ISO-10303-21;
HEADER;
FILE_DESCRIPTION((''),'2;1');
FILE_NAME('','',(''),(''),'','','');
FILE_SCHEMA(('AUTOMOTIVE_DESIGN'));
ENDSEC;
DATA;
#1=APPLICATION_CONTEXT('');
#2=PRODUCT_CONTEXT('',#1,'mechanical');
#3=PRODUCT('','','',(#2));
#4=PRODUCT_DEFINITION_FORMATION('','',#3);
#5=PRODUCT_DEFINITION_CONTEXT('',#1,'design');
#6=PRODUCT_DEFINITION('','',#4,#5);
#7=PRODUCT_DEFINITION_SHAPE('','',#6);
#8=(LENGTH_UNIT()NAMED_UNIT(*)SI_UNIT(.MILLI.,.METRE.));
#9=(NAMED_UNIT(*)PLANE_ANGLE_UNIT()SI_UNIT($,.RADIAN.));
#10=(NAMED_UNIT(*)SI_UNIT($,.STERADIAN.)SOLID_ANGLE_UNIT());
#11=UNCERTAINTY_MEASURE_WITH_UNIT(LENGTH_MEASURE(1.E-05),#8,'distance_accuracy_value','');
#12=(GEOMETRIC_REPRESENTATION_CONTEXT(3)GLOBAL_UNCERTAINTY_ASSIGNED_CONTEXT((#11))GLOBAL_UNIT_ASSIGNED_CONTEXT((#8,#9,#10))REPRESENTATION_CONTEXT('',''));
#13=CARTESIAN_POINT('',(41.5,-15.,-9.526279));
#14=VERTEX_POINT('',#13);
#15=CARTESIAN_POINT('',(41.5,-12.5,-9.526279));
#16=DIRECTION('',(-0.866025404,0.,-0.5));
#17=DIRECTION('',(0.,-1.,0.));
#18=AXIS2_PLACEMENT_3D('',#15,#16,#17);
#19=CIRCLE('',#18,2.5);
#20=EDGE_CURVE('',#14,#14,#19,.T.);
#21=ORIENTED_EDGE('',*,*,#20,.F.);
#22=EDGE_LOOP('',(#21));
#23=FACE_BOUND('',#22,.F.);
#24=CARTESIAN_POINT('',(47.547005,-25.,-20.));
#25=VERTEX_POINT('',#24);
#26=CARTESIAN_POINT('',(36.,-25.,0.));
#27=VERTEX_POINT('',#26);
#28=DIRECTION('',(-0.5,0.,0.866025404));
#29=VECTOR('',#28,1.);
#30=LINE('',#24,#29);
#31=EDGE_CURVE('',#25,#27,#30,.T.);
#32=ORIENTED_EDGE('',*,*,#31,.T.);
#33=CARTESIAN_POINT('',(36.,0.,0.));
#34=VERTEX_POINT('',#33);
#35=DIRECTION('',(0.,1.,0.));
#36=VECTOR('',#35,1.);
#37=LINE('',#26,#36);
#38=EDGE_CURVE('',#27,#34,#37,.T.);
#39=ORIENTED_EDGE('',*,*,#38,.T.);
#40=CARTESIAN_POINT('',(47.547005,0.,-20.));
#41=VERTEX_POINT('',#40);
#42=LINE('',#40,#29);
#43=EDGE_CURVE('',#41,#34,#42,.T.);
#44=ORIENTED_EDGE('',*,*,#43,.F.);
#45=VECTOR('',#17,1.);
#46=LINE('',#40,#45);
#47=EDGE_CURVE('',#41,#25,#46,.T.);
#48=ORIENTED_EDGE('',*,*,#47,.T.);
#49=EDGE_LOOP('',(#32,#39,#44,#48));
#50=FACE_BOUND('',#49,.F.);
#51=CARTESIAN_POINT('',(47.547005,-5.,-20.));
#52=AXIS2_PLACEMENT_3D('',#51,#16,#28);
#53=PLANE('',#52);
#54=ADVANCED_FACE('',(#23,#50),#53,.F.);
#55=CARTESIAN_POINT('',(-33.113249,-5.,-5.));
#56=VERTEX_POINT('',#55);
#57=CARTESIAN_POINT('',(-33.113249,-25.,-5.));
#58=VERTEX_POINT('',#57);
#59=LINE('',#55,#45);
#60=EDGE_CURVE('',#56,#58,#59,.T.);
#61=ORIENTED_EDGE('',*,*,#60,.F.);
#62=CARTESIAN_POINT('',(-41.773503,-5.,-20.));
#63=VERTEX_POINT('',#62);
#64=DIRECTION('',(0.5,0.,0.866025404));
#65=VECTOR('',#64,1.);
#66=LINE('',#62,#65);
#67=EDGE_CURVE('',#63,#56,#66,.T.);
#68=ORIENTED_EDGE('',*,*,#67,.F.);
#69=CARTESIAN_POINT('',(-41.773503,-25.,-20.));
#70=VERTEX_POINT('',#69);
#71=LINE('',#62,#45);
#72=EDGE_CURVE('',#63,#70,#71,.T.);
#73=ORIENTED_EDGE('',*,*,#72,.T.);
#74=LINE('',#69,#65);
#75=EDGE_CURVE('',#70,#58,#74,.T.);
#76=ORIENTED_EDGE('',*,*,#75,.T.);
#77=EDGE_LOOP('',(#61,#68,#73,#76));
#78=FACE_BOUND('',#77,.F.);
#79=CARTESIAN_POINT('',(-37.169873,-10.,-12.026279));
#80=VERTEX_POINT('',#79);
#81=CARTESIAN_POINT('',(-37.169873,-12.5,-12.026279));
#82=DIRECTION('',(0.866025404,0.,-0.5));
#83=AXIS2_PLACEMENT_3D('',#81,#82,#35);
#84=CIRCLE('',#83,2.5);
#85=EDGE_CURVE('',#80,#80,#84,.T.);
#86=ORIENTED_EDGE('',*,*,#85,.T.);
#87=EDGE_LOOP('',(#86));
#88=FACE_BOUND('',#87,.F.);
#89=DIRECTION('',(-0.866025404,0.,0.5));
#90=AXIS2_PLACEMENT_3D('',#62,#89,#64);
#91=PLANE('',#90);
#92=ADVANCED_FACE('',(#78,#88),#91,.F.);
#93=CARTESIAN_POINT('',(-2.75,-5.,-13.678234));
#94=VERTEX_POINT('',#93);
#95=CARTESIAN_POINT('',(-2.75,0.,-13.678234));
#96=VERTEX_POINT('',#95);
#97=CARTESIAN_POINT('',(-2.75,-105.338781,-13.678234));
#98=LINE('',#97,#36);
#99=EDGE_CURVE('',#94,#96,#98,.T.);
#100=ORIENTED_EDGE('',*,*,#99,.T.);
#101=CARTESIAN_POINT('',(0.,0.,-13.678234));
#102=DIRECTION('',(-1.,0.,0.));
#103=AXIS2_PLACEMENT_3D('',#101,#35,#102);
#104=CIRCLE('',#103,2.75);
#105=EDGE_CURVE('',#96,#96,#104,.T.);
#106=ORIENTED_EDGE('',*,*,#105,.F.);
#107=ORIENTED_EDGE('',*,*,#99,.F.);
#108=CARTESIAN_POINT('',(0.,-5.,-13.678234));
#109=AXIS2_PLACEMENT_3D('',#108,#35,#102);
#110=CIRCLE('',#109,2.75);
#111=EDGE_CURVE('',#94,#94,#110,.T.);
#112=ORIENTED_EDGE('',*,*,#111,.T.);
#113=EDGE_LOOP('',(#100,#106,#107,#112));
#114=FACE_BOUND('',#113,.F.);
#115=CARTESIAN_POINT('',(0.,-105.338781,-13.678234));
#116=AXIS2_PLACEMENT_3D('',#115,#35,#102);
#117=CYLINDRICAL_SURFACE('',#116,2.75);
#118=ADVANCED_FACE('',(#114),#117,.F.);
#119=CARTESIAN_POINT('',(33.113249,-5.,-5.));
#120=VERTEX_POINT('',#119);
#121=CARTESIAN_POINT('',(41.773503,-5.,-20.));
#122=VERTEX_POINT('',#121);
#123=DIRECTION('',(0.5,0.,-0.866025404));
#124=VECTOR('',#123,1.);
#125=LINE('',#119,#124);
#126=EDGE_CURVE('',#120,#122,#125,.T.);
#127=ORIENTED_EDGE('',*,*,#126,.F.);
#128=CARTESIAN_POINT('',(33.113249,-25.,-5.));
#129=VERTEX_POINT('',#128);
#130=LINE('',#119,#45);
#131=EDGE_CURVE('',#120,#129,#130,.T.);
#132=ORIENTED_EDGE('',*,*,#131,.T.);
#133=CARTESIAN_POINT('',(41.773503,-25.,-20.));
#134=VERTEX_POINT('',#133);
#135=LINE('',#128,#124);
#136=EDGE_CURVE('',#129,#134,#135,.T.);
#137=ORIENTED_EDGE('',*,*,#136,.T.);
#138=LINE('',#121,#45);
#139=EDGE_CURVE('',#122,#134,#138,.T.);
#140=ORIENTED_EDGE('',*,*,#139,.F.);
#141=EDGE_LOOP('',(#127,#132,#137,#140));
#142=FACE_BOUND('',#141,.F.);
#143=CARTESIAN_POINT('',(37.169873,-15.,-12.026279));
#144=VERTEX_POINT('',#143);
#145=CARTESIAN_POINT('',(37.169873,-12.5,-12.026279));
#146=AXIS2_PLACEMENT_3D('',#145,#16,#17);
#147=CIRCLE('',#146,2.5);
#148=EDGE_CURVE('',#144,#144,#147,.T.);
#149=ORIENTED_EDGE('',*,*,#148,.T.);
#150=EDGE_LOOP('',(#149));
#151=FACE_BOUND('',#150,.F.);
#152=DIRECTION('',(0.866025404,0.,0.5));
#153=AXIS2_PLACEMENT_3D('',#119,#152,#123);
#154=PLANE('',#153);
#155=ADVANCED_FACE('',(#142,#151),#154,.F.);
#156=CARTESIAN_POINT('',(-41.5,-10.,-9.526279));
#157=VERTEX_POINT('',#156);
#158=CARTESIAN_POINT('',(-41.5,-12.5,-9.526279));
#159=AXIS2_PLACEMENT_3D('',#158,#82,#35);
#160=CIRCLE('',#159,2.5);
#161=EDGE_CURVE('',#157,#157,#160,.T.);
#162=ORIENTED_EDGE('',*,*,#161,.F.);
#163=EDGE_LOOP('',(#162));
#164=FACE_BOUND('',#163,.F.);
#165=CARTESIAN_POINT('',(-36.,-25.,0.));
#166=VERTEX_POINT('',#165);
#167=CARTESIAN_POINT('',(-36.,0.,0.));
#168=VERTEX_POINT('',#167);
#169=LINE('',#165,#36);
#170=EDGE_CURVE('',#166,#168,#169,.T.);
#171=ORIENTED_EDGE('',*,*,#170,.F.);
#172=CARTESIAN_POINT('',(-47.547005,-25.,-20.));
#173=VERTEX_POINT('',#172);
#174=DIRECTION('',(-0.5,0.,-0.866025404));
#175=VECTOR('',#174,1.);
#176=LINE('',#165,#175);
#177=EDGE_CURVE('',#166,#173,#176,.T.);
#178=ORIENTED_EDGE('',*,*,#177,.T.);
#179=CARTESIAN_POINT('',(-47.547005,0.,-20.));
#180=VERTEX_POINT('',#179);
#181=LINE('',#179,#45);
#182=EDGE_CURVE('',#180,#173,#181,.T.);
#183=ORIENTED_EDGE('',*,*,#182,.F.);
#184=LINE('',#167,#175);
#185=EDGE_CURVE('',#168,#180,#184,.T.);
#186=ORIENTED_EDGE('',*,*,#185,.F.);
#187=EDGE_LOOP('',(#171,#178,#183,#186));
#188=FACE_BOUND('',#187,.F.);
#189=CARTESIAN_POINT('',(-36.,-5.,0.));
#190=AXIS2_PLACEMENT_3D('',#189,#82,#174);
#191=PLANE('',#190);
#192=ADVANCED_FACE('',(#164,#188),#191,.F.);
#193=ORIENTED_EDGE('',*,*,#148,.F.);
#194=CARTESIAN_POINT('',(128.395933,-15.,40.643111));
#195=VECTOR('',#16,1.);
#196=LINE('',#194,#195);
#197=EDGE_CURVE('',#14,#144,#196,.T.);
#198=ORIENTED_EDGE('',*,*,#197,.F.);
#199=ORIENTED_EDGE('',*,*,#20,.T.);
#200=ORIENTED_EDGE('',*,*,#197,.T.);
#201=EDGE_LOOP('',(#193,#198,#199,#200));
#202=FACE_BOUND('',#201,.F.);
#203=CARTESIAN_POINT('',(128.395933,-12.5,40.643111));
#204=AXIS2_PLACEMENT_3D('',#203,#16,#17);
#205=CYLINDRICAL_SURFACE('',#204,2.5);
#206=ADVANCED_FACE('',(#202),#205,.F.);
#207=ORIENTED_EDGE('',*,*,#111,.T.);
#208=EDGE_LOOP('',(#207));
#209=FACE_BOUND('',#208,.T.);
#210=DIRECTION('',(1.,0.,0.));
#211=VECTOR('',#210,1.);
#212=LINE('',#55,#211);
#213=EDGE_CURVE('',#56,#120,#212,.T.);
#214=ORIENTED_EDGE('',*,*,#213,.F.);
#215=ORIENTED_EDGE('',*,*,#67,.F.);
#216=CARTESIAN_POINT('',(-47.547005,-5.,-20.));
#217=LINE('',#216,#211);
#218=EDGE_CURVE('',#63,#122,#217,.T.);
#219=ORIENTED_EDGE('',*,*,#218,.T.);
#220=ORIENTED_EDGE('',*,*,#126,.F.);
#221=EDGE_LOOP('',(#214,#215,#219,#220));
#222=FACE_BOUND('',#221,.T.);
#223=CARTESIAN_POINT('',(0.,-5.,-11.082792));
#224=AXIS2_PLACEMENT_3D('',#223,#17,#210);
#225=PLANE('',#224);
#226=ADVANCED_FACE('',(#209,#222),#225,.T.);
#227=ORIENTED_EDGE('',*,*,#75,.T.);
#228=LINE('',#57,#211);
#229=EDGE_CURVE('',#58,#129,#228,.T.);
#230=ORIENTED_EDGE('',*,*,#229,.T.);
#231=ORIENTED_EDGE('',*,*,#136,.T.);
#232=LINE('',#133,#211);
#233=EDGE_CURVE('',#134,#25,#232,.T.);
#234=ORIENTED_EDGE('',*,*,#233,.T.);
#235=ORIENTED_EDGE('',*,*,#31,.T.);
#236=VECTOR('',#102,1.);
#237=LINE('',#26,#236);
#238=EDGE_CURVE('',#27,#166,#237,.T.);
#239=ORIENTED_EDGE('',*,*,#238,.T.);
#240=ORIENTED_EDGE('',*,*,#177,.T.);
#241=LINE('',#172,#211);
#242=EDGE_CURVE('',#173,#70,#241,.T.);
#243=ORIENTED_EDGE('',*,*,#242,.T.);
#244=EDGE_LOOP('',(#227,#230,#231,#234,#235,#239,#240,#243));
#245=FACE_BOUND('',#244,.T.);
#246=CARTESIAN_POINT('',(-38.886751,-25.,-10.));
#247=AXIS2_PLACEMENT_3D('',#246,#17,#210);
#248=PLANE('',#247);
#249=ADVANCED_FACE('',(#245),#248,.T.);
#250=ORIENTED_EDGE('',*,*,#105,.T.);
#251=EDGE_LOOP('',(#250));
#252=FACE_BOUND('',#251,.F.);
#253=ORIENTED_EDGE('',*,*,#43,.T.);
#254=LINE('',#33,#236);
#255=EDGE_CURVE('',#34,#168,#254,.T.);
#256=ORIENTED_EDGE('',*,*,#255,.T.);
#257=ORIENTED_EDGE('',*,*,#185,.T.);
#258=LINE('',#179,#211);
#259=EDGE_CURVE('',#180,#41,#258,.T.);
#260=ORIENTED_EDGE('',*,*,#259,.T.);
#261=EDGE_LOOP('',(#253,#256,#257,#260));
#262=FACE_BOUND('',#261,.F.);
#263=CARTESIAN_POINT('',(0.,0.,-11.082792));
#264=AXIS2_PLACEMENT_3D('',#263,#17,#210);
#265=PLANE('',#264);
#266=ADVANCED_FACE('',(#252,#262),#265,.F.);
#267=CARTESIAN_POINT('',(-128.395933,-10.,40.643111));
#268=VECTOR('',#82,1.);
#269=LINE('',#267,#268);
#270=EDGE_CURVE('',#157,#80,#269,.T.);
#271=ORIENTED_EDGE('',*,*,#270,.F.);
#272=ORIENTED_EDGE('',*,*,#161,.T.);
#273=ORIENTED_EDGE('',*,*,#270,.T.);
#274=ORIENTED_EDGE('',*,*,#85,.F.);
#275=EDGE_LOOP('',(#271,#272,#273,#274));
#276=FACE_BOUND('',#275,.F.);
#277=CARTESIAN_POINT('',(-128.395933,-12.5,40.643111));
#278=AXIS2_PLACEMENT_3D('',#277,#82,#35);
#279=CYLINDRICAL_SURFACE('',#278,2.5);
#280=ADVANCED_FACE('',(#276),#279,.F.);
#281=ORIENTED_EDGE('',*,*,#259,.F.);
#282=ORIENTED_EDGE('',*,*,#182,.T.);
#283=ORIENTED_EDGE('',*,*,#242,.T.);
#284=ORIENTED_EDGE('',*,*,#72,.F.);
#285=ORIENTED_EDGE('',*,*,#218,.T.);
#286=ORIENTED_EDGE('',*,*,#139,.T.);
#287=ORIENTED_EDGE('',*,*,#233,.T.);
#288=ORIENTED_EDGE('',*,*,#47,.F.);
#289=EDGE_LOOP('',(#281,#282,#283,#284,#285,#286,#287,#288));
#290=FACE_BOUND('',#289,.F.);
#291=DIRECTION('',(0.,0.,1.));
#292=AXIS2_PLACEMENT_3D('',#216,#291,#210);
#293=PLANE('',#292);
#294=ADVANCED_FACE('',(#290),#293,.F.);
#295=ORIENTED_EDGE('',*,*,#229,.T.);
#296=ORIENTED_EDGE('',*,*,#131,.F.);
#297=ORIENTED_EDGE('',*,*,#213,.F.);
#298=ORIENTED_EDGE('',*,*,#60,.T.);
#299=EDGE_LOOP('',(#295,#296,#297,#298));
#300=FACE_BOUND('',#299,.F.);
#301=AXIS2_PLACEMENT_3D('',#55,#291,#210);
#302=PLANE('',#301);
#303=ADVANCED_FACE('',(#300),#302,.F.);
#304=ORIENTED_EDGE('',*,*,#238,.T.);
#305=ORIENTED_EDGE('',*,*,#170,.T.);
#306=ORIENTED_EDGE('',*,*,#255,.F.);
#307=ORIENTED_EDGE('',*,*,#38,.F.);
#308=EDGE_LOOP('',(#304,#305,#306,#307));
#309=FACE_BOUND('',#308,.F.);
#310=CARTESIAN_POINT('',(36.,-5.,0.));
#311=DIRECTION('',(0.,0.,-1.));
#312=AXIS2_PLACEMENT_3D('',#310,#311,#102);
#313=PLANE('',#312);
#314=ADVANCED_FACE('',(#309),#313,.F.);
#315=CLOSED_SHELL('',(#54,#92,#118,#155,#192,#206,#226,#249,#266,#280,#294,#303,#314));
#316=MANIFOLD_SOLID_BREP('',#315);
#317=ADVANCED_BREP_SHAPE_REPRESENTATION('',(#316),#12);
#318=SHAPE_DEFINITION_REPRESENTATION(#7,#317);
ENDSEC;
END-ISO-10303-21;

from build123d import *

# Parameters (mm, degrees)
F1_DEPTH = 5
F3_DEPTH = 20
F5_D     = 5.5
F7_D     = 5
F9_D     = 5


with BuildPart() as f1:
    # F0 (on Front) → F1 (new body)
    with BuildSketch(Plane.XZ):
        Polygon((36, 0), (0, 0), (-36, 0), (-47.5470053838, -20), (0, -20), (47.5470053838, -20), align=None)
    extrude(amount=F1_DEPTH)

    # F2 (on face) → F3 (join)
    with BuildSketch(Plane.XZ.offset(5)):
        Polygon((-30.2264973081, 0), (-36, 0), (-47.5470053838, -20), (-41.7735026919, -20), (-33.1132486541, -5), align=None)
        Polygon((30.2264973081, 0), (-30.2264973081, 0), (-33.1132486541, -5), (33.1132486541, -5), align=None)
        Polygon((36, 0), (30.2264973081, 0), (33.1132486541, -5), (41.7735026919, -20), (47.5470053838, -20), align=None)
    extrude(amount=F3_DEPTH)

    # F5 (through all)
    with Locations(Plane.XZ.offset(5)):
        with Locations((0, -13.6782340705)):
            Hole(F5_D / 2)

    # F7 (through all)
    with Locations(Plane(origin=(27, 0, 15.5884572681), x_dir=(0, 1, 0), z_dir=(0.8660254038, 0, 0.5))):
        with Locations((-12.5, -29)):
            Hole(F7_D / 2)

    # F9 (through all)
    with Locations(Plane(origin=(-27, 0, 15.5884572681), x_dir=(0, -1, 0), z_dir=(-0.8660254038, 0, 0.5))):
        with Locations((12.5, -29)):
            Hole(F9_D / 2)


solid = f1.part
